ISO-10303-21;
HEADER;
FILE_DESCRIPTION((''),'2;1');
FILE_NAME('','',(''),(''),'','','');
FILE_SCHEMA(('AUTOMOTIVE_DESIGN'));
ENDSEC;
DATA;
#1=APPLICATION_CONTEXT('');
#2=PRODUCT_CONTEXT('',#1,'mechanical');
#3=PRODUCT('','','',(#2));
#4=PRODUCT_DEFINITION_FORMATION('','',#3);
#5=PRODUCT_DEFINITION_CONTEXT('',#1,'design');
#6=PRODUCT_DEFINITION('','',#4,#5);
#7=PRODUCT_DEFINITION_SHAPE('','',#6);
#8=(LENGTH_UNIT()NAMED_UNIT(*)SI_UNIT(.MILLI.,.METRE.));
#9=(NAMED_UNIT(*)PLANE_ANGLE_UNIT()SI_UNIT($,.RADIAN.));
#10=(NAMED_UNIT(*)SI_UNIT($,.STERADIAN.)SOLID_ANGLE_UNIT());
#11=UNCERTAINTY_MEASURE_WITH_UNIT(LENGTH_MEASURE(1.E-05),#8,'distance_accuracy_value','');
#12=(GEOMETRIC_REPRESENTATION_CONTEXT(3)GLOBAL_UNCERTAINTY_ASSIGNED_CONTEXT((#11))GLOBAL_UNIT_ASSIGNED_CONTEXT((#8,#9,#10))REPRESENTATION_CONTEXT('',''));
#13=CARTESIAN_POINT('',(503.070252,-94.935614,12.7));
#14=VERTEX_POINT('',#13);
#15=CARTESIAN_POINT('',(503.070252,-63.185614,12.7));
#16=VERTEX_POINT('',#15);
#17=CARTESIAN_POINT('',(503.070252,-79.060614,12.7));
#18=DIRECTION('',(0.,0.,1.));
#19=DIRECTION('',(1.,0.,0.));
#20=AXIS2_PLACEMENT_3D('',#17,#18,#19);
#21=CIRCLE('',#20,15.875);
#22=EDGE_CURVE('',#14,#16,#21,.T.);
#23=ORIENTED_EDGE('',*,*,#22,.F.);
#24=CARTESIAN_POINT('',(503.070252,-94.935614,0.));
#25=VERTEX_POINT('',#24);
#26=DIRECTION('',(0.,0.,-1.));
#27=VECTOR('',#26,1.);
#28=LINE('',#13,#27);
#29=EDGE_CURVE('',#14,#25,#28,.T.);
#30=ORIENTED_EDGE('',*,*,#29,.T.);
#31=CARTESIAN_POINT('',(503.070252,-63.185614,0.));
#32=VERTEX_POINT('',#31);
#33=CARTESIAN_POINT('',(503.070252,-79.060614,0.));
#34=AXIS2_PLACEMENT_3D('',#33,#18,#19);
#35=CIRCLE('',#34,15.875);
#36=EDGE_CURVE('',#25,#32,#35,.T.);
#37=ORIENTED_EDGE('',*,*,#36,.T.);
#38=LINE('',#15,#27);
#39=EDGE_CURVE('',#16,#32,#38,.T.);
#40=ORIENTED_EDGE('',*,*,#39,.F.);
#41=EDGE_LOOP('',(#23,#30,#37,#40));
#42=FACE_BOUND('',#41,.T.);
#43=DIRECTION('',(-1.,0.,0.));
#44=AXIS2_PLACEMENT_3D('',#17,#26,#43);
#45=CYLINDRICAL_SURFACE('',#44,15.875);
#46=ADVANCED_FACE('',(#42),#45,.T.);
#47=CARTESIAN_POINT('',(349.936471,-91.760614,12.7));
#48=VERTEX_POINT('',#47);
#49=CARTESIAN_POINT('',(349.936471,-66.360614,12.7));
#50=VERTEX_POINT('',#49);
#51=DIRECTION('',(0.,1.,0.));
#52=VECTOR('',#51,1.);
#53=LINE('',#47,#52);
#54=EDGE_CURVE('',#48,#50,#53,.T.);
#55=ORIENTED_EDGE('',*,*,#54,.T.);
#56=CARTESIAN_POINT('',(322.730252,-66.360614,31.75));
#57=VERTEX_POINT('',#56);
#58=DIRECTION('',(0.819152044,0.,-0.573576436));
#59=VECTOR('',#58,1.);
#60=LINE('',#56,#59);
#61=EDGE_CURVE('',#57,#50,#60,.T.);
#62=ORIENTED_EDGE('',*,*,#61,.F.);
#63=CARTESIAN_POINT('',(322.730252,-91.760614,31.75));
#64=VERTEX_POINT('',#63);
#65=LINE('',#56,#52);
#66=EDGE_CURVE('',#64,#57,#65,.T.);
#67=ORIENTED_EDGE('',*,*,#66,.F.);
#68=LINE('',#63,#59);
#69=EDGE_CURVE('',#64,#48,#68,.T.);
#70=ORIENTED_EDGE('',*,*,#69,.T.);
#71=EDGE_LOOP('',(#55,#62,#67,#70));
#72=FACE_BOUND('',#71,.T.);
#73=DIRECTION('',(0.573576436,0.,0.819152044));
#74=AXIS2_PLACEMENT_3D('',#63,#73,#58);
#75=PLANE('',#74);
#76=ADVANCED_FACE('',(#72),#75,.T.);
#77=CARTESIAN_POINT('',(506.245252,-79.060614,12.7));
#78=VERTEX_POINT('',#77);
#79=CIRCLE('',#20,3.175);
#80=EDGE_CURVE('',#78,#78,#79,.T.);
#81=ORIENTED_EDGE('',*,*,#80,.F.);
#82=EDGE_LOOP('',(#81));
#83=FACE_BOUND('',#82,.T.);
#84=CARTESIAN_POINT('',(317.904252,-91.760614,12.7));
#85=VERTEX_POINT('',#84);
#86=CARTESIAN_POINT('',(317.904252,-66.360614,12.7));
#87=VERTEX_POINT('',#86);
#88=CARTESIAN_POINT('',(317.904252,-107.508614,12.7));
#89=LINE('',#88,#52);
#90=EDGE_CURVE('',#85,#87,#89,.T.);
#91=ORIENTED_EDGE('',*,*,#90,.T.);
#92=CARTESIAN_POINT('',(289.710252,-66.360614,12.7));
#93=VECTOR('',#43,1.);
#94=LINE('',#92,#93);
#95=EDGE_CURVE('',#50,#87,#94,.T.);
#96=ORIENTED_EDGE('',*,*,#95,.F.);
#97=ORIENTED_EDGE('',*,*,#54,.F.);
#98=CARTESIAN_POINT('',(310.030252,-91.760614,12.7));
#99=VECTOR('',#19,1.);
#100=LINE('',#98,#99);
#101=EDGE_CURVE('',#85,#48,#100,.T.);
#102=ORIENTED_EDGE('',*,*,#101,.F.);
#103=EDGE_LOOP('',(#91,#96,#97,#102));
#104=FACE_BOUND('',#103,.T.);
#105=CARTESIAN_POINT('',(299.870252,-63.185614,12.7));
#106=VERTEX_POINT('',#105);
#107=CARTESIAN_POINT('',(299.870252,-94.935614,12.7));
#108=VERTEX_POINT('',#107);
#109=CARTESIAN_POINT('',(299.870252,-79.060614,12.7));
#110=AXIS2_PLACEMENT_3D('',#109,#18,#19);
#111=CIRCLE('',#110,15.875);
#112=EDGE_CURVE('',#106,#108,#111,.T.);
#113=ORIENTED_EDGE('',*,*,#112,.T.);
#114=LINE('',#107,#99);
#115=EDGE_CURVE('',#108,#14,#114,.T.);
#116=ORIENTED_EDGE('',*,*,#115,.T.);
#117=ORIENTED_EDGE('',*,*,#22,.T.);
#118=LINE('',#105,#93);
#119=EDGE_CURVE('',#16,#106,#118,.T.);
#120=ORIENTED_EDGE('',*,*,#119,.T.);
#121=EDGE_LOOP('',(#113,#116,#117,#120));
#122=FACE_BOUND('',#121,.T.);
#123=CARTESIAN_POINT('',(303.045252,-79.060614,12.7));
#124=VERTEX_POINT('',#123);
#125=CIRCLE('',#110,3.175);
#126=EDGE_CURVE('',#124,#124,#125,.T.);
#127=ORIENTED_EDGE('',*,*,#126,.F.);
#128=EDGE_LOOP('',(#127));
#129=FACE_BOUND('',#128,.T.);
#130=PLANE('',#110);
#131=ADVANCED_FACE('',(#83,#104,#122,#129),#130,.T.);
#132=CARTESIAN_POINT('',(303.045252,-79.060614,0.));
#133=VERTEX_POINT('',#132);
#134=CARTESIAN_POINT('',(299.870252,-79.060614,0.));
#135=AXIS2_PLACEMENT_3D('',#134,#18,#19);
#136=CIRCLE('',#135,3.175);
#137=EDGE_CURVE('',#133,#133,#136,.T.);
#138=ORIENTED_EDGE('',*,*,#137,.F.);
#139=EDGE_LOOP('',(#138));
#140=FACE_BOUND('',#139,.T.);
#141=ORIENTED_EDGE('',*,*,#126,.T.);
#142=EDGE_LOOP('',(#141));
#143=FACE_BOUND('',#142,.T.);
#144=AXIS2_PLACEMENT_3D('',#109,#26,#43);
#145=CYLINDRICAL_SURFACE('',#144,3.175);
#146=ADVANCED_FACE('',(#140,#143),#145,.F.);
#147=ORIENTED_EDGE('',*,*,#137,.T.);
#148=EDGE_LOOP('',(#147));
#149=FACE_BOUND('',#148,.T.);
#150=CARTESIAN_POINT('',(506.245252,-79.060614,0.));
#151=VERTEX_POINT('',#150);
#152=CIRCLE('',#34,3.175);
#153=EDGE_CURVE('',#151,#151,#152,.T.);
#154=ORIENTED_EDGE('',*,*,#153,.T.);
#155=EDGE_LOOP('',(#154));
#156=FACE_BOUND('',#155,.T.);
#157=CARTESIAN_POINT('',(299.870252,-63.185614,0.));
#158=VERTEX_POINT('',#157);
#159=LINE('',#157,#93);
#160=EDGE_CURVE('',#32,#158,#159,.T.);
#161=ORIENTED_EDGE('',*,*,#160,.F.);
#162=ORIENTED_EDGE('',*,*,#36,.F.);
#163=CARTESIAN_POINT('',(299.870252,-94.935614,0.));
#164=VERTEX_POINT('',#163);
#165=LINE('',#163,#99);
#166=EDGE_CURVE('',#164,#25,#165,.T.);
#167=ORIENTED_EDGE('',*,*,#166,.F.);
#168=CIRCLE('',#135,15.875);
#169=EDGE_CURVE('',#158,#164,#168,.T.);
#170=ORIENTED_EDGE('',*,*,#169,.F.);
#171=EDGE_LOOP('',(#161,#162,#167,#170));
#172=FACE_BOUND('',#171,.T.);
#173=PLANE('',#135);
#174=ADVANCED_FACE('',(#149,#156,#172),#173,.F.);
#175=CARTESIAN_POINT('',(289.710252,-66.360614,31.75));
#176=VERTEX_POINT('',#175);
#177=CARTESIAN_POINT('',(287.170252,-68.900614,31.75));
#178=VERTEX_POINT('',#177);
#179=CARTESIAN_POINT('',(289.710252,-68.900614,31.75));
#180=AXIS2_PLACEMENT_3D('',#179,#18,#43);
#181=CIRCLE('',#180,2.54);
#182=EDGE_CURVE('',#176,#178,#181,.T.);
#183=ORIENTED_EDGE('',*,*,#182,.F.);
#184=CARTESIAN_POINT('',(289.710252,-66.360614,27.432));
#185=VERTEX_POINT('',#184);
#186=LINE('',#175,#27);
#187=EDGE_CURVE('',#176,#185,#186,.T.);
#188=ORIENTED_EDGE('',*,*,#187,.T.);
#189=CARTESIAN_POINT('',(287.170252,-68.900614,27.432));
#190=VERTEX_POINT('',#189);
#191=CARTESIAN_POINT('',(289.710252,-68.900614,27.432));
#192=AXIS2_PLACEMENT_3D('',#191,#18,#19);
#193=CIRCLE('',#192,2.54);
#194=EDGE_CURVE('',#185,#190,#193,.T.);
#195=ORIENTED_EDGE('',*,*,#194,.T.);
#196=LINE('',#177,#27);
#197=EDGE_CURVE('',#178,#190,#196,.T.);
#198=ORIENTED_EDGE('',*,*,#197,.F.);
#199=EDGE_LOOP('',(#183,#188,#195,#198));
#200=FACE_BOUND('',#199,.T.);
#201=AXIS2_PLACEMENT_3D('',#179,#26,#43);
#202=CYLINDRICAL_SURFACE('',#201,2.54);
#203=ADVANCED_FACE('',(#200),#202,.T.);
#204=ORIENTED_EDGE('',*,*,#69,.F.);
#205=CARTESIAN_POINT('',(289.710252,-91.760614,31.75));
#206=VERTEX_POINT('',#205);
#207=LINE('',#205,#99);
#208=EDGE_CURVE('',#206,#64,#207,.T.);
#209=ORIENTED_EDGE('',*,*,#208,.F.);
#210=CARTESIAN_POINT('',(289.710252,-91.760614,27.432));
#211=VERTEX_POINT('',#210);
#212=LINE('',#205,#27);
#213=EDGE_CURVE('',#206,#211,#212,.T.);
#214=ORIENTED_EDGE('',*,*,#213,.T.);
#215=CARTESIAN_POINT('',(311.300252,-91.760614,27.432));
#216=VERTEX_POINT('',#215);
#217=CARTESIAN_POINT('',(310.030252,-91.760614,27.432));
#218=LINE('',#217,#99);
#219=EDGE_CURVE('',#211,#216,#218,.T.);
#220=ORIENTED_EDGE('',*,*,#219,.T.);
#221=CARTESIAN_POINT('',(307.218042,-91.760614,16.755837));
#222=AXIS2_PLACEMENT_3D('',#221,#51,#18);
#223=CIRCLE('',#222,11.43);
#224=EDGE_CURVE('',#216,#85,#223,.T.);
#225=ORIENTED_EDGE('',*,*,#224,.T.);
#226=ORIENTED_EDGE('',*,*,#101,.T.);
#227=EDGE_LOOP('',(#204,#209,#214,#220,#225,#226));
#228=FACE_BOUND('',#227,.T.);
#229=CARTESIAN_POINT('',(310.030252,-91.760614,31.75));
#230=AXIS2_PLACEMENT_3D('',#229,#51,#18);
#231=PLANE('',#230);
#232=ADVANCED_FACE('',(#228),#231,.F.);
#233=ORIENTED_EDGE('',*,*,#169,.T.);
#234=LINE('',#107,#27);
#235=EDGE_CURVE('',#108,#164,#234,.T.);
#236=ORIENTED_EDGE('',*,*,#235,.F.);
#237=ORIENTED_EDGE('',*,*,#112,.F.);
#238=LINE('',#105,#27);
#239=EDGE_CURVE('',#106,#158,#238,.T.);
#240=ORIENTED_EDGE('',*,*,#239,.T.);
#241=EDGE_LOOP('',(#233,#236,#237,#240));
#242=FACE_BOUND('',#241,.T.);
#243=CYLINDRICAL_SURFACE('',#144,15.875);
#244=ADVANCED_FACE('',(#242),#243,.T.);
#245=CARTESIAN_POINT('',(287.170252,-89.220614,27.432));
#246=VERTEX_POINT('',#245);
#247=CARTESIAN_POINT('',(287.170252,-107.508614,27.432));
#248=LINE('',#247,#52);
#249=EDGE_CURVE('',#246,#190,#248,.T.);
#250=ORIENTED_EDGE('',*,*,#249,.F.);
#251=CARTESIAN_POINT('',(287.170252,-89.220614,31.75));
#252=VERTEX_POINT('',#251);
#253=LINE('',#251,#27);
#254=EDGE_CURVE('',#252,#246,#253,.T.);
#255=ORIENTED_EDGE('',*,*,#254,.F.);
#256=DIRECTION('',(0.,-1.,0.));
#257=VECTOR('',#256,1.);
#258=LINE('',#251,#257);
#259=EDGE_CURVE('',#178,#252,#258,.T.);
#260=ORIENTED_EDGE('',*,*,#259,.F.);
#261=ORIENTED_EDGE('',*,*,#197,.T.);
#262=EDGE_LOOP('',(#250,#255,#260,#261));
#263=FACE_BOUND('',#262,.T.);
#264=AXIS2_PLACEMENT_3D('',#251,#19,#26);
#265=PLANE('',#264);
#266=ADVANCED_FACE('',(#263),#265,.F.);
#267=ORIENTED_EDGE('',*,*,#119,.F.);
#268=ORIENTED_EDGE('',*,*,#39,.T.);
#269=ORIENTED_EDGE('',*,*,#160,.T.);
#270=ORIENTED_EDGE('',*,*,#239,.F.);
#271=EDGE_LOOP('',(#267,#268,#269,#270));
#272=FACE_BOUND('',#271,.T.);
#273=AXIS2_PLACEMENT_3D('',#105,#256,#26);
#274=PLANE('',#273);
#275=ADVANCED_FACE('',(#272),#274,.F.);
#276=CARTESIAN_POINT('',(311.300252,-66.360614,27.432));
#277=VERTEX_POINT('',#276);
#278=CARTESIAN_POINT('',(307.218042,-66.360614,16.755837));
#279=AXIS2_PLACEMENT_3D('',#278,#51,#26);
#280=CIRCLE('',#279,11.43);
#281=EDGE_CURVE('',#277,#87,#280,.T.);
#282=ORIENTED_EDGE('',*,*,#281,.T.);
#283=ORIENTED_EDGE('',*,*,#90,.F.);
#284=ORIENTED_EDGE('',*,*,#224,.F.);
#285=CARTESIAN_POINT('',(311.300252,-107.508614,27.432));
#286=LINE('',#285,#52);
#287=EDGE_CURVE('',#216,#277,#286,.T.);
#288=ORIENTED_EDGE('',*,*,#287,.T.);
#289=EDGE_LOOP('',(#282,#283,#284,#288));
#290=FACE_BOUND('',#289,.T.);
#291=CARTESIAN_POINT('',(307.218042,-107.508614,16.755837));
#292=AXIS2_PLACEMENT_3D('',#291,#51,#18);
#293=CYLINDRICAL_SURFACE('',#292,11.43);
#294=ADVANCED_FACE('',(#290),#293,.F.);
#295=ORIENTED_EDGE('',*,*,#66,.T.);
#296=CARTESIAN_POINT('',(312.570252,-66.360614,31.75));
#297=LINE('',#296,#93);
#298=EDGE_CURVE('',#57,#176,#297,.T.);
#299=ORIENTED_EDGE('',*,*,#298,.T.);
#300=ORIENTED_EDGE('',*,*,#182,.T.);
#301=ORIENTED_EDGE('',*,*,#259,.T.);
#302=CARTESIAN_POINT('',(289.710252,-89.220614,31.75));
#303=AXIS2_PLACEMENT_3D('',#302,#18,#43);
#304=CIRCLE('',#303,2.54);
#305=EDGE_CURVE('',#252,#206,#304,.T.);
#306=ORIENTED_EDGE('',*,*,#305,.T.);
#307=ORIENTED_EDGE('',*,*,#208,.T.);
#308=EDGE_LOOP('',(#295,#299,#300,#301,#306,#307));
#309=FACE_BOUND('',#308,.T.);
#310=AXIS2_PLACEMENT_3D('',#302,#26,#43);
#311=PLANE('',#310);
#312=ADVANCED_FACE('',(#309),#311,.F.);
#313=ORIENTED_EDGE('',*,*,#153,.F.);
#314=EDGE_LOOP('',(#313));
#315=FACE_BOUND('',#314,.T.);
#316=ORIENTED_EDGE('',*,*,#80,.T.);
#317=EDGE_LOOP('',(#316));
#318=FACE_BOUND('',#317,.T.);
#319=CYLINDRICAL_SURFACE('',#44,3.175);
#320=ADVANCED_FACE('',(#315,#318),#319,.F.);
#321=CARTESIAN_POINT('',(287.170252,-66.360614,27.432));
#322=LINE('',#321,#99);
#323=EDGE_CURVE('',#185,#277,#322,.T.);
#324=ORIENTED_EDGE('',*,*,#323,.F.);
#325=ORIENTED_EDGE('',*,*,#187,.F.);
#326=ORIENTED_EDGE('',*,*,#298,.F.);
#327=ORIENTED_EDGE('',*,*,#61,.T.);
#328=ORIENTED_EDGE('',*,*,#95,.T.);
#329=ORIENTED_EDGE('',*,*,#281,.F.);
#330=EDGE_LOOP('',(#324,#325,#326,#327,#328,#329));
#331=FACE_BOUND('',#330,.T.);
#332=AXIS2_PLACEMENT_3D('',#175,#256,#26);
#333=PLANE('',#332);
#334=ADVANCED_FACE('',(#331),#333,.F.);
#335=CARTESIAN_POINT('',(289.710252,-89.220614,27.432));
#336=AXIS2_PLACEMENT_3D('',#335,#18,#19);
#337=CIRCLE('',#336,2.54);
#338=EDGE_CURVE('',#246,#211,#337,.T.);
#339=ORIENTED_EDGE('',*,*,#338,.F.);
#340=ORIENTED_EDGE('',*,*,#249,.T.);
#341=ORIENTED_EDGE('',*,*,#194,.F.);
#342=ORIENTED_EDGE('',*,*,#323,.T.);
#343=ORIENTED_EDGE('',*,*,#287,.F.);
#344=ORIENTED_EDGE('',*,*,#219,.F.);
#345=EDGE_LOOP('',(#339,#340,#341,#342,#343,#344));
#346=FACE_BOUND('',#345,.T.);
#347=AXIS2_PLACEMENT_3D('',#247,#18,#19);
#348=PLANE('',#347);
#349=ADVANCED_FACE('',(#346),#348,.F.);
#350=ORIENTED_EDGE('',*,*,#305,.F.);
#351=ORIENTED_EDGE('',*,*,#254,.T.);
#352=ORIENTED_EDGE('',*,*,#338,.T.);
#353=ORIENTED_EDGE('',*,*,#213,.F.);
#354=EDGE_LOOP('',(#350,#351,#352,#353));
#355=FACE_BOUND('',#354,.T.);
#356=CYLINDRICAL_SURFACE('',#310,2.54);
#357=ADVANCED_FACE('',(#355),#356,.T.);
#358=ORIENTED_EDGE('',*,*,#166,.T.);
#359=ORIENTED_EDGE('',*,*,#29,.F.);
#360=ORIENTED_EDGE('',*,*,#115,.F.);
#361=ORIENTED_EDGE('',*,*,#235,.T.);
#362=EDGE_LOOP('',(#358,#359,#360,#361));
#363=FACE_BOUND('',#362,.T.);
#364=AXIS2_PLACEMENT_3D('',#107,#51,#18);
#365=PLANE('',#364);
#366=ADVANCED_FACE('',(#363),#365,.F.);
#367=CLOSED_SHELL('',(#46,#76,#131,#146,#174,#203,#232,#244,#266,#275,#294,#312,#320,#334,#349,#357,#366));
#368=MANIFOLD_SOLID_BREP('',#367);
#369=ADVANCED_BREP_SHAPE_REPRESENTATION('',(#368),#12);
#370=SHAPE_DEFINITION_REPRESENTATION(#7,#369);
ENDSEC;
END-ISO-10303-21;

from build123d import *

# Parameters (mm, degrees)
SKETCH1_R           = 3.175
BOSS_EXTRUDE1_DEPTH = 12.7
BOSS_EXTRUDE8_DEPTH = 19.05
CUT_EXTRUDE3_DEPTH  = 41.148
BOSS_EXTRUDE9_DEPTH = 25.4


with BuildPart() as part:
    # Sketch1 → Boss-Extrude1 (new body)
    with BuildSketch(Plane.XY):
        with BuildLine():
            Line((299.870251741, -63.185614448), (503.070251741, -63.185614448))
            ThreePointArc((503.070251741, -63.185614448), (518.945251741, -79.060614448), (503.070251741, -94.935614448))
            Line((503.070251741, -94.935614448), (299.870251741, -94.935614448))
            ThreePointArc((299.870251741, -94.935614448), (283.995251741, -79.060614448), (299.870251741, -63.185614448))
        make_face()
        with Locations((299.870251741, -79.060614448)):
            Circle(SKETCH1_R, mode=Mode.SUBTRACT)
        with Locations((503.070251741, -79.060614448)):
            Circle(SKETCH1_R, mode=Mode.SUBTRACT)
    extrude(amount=BOSS_EXTRUDE1_DEPTH)

    # Sketch7 → Boss-Extrude8 (add)
    with BuildSketch(Plane.XY.offset(12.7)):
        with BuildLine():
            Line((310.030251741, -66.360614448), (312.570251741, -66.360614448))
            Line((312.570251741, -66.360614448), (322.730251741, -66.360614448))
            Line((322.730251741, -66.360614448), (322.730251741, -91.760614448))
            Line((322.730251741, -91.760614448), (310.030251741, -91.760614448))
            Line((310.030251741, -91.760614448), (289.710251741, -91.760614448))
            ThreePointArc((289.710251741, -91.760614448), (287.914200517, -91.016665672), (287.170251741, -89.220614448))
            Line((287.170251741, -89.220614448), (287.170251741, -68.900614448))
            ThreePointArc((287.170251741, -68.900614448), (287.914200517, -67.104563223), (289.710251741, -66.360614448))
            Line((289.710251741, -66.360614448), (310.030251741, -66.360614448))
        make_face()
    extrude(amount=BOSS_EXTRUDE8_DEPTH)

    # Sketch8 → Cut-Extrude3 (cut)
    with BuildSketch(Plane(origin=(0, -66.360614448, 0), x_dir=(1, 0, 0), z_dir=(0, 1, 0))):
        with BuildLine():
            Line((287.170251741, -12.7), (317.904251741, -12.7))
            ThreePointArc((317.904251741, -12.7), (317.648023156, -21.431345807), (311.300251741, -27.432))
            Line((311.300251741, -27.432), (287.170251741, -27.432))
            Line((287.170251741, -27.432), (287.170251741, -12.7))
        make_face()
    extrude(amount=-CUT_EXTRUDE3_DEPTH, mode=Mode.SUBTRACT)

    # Sketch9 → Boss-Extrude9 (add)
    with BuildSketch(Plane(origin=(0, -66.360614448, 0), x_dir=(1, 0, 0), z_dir=(0, 1, 0))):
        Polygon((322.730251741, -31.75), (349.936471269, -12.7), (322.730251741, -12.7), align=None)
    extrude(amount=-BOSS_EXTRUDE9_DEPTH)


solid = part.part
